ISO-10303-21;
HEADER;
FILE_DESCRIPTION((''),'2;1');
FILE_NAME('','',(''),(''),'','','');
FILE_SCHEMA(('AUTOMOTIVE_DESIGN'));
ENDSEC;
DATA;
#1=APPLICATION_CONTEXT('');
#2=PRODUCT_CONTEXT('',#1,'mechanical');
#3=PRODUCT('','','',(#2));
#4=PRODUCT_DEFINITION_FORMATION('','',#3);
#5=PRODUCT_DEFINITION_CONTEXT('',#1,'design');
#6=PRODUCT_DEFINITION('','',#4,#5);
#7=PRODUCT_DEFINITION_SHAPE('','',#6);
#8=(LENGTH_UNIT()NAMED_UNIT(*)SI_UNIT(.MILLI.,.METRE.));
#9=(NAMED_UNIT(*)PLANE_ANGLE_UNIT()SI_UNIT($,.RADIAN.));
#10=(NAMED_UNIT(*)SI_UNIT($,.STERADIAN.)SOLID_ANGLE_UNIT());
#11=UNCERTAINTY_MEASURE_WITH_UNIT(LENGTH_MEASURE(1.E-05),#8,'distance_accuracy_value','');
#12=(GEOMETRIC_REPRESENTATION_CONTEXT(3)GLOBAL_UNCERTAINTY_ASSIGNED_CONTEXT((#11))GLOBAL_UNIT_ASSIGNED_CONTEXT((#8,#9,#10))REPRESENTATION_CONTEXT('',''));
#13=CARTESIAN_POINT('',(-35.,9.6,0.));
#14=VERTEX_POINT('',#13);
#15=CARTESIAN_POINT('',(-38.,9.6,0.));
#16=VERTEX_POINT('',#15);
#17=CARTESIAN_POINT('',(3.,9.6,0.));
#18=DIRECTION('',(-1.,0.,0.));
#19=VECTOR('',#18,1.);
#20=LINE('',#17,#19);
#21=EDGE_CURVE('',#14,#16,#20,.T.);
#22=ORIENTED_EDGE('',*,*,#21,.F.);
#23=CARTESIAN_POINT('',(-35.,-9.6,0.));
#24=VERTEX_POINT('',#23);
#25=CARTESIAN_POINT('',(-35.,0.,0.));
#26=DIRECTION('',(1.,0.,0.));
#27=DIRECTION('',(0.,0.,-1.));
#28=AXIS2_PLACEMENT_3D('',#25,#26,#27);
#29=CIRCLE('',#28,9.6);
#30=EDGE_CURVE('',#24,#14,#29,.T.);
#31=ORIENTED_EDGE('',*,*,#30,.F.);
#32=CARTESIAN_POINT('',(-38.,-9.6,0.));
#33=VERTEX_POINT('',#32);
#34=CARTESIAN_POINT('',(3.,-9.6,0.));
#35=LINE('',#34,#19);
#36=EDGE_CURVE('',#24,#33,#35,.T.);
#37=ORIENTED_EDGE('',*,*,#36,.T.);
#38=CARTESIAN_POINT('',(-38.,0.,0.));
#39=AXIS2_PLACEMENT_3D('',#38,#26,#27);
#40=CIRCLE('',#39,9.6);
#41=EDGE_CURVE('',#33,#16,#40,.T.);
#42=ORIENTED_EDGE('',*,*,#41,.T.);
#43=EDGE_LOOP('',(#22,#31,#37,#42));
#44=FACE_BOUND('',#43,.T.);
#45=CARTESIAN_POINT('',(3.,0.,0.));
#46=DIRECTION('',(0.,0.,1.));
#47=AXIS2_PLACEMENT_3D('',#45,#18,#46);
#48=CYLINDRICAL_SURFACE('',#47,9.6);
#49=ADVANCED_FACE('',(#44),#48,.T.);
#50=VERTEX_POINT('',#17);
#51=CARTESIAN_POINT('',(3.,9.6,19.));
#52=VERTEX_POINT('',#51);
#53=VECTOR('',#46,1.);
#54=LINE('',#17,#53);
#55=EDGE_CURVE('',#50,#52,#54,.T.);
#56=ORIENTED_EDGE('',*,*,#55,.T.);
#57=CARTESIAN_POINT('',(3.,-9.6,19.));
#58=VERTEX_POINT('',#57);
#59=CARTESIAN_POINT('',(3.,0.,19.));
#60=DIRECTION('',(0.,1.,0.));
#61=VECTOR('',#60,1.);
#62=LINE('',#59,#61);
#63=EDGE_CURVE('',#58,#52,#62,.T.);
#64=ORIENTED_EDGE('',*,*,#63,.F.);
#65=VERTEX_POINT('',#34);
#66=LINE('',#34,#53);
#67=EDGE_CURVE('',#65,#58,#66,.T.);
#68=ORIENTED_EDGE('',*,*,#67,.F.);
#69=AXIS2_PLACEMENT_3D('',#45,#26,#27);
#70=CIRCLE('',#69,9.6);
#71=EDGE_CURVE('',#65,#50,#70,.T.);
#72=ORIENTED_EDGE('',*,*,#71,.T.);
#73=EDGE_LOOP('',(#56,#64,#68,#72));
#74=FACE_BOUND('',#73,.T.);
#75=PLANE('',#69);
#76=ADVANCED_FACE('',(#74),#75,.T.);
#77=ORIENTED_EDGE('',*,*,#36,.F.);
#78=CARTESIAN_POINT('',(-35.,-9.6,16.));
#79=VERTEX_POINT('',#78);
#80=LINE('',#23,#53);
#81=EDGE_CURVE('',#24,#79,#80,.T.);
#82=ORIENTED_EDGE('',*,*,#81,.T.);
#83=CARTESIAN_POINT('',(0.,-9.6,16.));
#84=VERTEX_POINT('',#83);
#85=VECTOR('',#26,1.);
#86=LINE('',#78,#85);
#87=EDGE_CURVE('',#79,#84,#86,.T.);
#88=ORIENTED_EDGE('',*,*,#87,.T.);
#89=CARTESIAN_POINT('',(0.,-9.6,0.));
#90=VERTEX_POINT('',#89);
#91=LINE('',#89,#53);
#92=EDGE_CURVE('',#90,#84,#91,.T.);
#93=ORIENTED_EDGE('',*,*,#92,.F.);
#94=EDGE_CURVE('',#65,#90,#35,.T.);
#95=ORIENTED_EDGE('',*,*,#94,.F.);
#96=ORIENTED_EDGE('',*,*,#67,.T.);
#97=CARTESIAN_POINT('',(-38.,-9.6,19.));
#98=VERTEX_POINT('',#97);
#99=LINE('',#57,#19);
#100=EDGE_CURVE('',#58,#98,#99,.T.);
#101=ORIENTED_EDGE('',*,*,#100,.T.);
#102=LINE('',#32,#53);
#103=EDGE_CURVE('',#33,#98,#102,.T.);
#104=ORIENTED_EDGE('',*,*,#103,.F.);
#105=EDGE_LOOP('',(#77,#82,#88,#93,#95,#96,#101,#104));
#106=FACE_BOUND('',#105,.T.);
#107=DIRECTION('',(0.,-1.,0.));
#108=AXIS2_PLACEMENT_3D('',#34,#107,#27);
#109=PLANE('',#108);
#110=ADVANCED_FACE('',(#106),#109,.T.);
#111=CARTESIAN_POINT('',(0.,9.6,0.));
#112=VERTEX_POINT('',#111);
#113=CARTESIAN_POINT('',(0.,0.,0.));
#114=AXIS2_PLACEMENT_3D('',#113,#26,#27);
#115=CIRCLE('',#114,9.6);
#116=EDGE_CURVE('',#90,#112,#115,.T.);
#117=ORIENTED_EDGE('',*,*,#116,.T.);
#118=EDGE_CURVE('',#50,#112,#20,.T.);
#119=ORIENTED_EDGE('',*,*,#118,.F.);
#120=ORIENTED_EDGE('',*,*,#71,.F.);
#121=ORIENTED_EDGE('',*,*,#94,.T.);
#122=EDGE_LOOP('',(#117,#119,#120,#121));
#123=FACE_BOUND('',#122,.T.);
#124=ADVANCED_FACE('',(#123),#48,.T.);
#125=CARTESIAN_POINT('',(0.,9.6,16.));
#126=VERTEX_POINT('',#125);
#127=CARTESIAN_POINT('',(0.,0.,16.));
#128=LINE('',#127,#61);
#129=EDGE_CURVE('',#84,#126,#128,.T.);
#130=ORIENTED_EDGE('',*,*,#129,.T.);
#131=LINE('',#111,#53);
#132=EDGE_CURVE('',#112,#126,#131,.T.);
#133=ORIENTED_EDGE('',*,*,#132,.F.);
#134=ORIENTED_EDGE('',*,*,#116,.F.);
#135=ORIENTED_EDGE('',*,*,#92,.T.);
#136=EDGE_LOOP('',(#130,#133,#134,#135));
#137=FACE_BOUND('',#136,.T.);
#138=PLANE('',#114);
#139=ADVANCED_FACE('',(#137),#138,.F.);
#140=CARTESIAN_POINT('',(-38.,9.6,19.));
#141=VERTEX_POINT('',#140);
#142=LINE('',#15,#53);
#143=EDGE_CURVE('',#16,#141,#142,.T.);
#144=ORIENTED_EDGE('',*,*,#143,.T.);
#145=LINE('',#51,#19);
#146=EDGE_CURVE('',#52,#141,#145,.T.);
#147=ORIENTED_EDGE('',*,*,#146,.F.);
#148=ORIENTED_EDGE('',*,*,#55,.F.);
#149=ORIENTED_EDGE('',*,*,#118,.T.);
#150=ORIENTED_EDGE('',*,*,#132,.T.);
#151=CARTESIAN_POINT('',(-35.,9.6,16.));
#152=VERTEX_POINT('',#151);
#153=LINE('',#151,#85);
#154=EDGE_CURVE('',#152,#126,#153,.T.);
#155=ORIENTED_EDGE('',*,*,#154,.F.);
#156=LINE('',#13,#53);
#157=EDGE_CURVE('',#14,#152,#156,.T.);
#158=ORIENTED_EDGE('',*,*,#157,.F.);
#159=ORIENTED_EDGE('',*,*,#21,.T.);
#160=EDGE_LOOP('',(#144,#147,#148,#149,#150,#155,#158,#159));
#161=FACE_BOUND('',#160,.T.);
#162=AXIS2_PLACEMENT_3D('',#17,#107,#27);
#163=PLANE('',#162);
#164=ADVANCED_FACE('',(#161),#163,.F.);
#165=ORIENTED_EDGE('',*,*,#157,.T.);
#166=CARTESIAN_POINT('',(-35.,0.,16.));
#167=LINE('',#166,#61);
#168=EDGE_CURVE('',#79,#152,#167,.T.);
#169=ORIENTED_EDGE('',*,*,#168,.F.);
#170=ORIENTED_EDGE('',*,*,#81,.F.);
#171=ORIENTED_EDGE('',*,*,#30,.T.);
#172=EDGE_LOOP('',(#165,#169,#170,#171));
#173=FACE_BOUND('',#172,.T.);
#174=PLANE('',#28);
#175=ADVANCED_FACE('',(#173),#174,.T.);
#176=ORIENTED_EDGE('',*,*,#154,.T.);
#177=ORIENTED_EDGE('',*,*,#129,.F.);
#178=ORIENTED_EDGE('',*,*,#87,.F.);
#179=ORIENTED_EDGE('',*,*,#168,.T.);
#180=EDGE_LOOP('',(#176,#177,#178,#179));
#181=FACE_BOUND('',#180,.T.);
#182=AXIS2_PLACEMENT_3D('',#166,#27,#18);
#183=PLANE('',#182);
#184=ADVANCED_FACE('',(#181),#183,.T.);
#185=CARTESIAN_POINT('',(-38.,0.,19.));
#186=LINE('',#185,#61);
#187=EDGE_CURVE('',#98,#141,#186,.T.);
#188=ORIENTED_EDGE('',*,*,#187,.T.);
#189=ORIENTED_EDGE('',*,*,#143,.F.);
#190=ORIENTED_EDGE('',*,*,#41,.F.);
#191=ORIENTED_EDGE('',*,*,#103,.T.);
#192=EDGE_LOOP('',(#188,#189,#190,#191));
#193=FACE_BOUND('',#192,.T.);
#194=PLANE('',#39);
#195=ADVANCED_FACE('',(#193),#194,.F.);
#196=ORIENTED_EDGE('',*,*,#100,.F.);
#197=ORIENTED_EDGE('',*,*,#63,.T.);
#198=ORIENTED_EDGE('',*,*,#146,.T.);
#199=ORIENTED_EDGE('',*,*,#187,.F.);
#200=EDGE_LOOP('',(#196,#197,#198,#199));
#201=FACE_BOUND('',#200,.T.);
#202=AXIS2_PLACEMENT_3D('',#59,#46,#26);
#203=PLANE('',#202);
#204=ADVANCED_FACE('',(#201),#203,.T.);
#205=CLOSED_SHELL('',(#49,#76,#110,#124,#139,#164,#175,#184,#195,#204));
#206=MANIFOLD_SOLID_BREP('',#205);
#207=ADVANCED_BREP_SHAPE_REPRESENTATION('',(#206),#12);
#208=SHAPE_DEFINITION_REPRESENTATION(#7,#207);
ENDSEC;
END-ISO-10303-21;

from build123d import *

# Parameters (mm, degrees)
BOSS_EXTRUDE1_DEPTH = 3
SKETCH1_3_W         = 3
SKETCH1_3_H         = 19.2
BOSS_EXTRUDE2_DEPTH = 38
BOSS_EXTRUDE3_START = -38
BOSS_EXTRUDE3_DEPTH = 38
CUT_EXTRUDE1_START  = -35
CUT_EXTRUDE1_DEPTH  = 35


with BuildPart() as part:
    # Sketch1 → Boss-Extrude1 (new body)
    with BuildSketch(Plane(origin=(0, 0, 0), x_dir=(0, 0, -1), z_dir=(1, 0, 0))):
        with BuildLine():
            ThreePointArc((0, -9.6), (9.6, 0), (0, 9.6))
            Line((0, 9.6), (-19, 9.6))
            Line((-19, 9.6), (-19, -9.6))
            Line((-19, -9.6), (0, -9.6))
        make_face()
    extrude(amount=BOSS_EXTRUDE1_DEPTH)

    # Sketch1<3> → Boss-Extrude2 (add)
    with BuildSketch(Plane(origin=(0, 0, 0), x_dir=(0, 0, -1), z_dir=(1, 0, 0))):
        with Locations((-17.5, 0)):
            Rectangle(SKETCH1_3_W, SKETCH1_3_H)
    extrude(amount=-BOSS_EXTRUDE2_DEPTH)

    # Sketch1<4> → Boss-Extrude3 (add)
    with BuildSketch(Plane(origin=(0, 0, 0), x_dir=(0, 0, -1), z_dir=(1, 0, 0)).offset(BOSS_EXTRUDE3_START)):
        with BuildLine():
            Line((-16, -9.6), (0, -9.6))
            ThreePointArc((0, -9.6), (9.6, 0), (0, 9.6))
            Line((0, 9.6), (-16, 9.6))
            Line((-16, 9.6), (-16, -9.6))
        make_face()
    extrude(amount=BOSS_EXTRUDE3_DEPTH)

    # Sketch1<5> → Cut-Extrude1 (cut)
    with BuildSketch(Plane(origin=(0, 0, 0), x_dir=(0, 0, -1), z_dir=(1, 0, 0)).offset(CUT_EXTRUDE1_START)):
        with BuildLine():
            Line((-16, -9.6), (0, -9.6))
            ThreePointArc((0, -9.6), (9.6, 0), (0, 9.6))
            Line((0, 9.6), (-16, 9.6))
            Line((-16, 9.6), (-16, -9.6))
        make_face()
    extrude(amount=CUT_EXTRUDE1_DEPTH, mode=Mode.SUBTRACT)


solid = part.part
